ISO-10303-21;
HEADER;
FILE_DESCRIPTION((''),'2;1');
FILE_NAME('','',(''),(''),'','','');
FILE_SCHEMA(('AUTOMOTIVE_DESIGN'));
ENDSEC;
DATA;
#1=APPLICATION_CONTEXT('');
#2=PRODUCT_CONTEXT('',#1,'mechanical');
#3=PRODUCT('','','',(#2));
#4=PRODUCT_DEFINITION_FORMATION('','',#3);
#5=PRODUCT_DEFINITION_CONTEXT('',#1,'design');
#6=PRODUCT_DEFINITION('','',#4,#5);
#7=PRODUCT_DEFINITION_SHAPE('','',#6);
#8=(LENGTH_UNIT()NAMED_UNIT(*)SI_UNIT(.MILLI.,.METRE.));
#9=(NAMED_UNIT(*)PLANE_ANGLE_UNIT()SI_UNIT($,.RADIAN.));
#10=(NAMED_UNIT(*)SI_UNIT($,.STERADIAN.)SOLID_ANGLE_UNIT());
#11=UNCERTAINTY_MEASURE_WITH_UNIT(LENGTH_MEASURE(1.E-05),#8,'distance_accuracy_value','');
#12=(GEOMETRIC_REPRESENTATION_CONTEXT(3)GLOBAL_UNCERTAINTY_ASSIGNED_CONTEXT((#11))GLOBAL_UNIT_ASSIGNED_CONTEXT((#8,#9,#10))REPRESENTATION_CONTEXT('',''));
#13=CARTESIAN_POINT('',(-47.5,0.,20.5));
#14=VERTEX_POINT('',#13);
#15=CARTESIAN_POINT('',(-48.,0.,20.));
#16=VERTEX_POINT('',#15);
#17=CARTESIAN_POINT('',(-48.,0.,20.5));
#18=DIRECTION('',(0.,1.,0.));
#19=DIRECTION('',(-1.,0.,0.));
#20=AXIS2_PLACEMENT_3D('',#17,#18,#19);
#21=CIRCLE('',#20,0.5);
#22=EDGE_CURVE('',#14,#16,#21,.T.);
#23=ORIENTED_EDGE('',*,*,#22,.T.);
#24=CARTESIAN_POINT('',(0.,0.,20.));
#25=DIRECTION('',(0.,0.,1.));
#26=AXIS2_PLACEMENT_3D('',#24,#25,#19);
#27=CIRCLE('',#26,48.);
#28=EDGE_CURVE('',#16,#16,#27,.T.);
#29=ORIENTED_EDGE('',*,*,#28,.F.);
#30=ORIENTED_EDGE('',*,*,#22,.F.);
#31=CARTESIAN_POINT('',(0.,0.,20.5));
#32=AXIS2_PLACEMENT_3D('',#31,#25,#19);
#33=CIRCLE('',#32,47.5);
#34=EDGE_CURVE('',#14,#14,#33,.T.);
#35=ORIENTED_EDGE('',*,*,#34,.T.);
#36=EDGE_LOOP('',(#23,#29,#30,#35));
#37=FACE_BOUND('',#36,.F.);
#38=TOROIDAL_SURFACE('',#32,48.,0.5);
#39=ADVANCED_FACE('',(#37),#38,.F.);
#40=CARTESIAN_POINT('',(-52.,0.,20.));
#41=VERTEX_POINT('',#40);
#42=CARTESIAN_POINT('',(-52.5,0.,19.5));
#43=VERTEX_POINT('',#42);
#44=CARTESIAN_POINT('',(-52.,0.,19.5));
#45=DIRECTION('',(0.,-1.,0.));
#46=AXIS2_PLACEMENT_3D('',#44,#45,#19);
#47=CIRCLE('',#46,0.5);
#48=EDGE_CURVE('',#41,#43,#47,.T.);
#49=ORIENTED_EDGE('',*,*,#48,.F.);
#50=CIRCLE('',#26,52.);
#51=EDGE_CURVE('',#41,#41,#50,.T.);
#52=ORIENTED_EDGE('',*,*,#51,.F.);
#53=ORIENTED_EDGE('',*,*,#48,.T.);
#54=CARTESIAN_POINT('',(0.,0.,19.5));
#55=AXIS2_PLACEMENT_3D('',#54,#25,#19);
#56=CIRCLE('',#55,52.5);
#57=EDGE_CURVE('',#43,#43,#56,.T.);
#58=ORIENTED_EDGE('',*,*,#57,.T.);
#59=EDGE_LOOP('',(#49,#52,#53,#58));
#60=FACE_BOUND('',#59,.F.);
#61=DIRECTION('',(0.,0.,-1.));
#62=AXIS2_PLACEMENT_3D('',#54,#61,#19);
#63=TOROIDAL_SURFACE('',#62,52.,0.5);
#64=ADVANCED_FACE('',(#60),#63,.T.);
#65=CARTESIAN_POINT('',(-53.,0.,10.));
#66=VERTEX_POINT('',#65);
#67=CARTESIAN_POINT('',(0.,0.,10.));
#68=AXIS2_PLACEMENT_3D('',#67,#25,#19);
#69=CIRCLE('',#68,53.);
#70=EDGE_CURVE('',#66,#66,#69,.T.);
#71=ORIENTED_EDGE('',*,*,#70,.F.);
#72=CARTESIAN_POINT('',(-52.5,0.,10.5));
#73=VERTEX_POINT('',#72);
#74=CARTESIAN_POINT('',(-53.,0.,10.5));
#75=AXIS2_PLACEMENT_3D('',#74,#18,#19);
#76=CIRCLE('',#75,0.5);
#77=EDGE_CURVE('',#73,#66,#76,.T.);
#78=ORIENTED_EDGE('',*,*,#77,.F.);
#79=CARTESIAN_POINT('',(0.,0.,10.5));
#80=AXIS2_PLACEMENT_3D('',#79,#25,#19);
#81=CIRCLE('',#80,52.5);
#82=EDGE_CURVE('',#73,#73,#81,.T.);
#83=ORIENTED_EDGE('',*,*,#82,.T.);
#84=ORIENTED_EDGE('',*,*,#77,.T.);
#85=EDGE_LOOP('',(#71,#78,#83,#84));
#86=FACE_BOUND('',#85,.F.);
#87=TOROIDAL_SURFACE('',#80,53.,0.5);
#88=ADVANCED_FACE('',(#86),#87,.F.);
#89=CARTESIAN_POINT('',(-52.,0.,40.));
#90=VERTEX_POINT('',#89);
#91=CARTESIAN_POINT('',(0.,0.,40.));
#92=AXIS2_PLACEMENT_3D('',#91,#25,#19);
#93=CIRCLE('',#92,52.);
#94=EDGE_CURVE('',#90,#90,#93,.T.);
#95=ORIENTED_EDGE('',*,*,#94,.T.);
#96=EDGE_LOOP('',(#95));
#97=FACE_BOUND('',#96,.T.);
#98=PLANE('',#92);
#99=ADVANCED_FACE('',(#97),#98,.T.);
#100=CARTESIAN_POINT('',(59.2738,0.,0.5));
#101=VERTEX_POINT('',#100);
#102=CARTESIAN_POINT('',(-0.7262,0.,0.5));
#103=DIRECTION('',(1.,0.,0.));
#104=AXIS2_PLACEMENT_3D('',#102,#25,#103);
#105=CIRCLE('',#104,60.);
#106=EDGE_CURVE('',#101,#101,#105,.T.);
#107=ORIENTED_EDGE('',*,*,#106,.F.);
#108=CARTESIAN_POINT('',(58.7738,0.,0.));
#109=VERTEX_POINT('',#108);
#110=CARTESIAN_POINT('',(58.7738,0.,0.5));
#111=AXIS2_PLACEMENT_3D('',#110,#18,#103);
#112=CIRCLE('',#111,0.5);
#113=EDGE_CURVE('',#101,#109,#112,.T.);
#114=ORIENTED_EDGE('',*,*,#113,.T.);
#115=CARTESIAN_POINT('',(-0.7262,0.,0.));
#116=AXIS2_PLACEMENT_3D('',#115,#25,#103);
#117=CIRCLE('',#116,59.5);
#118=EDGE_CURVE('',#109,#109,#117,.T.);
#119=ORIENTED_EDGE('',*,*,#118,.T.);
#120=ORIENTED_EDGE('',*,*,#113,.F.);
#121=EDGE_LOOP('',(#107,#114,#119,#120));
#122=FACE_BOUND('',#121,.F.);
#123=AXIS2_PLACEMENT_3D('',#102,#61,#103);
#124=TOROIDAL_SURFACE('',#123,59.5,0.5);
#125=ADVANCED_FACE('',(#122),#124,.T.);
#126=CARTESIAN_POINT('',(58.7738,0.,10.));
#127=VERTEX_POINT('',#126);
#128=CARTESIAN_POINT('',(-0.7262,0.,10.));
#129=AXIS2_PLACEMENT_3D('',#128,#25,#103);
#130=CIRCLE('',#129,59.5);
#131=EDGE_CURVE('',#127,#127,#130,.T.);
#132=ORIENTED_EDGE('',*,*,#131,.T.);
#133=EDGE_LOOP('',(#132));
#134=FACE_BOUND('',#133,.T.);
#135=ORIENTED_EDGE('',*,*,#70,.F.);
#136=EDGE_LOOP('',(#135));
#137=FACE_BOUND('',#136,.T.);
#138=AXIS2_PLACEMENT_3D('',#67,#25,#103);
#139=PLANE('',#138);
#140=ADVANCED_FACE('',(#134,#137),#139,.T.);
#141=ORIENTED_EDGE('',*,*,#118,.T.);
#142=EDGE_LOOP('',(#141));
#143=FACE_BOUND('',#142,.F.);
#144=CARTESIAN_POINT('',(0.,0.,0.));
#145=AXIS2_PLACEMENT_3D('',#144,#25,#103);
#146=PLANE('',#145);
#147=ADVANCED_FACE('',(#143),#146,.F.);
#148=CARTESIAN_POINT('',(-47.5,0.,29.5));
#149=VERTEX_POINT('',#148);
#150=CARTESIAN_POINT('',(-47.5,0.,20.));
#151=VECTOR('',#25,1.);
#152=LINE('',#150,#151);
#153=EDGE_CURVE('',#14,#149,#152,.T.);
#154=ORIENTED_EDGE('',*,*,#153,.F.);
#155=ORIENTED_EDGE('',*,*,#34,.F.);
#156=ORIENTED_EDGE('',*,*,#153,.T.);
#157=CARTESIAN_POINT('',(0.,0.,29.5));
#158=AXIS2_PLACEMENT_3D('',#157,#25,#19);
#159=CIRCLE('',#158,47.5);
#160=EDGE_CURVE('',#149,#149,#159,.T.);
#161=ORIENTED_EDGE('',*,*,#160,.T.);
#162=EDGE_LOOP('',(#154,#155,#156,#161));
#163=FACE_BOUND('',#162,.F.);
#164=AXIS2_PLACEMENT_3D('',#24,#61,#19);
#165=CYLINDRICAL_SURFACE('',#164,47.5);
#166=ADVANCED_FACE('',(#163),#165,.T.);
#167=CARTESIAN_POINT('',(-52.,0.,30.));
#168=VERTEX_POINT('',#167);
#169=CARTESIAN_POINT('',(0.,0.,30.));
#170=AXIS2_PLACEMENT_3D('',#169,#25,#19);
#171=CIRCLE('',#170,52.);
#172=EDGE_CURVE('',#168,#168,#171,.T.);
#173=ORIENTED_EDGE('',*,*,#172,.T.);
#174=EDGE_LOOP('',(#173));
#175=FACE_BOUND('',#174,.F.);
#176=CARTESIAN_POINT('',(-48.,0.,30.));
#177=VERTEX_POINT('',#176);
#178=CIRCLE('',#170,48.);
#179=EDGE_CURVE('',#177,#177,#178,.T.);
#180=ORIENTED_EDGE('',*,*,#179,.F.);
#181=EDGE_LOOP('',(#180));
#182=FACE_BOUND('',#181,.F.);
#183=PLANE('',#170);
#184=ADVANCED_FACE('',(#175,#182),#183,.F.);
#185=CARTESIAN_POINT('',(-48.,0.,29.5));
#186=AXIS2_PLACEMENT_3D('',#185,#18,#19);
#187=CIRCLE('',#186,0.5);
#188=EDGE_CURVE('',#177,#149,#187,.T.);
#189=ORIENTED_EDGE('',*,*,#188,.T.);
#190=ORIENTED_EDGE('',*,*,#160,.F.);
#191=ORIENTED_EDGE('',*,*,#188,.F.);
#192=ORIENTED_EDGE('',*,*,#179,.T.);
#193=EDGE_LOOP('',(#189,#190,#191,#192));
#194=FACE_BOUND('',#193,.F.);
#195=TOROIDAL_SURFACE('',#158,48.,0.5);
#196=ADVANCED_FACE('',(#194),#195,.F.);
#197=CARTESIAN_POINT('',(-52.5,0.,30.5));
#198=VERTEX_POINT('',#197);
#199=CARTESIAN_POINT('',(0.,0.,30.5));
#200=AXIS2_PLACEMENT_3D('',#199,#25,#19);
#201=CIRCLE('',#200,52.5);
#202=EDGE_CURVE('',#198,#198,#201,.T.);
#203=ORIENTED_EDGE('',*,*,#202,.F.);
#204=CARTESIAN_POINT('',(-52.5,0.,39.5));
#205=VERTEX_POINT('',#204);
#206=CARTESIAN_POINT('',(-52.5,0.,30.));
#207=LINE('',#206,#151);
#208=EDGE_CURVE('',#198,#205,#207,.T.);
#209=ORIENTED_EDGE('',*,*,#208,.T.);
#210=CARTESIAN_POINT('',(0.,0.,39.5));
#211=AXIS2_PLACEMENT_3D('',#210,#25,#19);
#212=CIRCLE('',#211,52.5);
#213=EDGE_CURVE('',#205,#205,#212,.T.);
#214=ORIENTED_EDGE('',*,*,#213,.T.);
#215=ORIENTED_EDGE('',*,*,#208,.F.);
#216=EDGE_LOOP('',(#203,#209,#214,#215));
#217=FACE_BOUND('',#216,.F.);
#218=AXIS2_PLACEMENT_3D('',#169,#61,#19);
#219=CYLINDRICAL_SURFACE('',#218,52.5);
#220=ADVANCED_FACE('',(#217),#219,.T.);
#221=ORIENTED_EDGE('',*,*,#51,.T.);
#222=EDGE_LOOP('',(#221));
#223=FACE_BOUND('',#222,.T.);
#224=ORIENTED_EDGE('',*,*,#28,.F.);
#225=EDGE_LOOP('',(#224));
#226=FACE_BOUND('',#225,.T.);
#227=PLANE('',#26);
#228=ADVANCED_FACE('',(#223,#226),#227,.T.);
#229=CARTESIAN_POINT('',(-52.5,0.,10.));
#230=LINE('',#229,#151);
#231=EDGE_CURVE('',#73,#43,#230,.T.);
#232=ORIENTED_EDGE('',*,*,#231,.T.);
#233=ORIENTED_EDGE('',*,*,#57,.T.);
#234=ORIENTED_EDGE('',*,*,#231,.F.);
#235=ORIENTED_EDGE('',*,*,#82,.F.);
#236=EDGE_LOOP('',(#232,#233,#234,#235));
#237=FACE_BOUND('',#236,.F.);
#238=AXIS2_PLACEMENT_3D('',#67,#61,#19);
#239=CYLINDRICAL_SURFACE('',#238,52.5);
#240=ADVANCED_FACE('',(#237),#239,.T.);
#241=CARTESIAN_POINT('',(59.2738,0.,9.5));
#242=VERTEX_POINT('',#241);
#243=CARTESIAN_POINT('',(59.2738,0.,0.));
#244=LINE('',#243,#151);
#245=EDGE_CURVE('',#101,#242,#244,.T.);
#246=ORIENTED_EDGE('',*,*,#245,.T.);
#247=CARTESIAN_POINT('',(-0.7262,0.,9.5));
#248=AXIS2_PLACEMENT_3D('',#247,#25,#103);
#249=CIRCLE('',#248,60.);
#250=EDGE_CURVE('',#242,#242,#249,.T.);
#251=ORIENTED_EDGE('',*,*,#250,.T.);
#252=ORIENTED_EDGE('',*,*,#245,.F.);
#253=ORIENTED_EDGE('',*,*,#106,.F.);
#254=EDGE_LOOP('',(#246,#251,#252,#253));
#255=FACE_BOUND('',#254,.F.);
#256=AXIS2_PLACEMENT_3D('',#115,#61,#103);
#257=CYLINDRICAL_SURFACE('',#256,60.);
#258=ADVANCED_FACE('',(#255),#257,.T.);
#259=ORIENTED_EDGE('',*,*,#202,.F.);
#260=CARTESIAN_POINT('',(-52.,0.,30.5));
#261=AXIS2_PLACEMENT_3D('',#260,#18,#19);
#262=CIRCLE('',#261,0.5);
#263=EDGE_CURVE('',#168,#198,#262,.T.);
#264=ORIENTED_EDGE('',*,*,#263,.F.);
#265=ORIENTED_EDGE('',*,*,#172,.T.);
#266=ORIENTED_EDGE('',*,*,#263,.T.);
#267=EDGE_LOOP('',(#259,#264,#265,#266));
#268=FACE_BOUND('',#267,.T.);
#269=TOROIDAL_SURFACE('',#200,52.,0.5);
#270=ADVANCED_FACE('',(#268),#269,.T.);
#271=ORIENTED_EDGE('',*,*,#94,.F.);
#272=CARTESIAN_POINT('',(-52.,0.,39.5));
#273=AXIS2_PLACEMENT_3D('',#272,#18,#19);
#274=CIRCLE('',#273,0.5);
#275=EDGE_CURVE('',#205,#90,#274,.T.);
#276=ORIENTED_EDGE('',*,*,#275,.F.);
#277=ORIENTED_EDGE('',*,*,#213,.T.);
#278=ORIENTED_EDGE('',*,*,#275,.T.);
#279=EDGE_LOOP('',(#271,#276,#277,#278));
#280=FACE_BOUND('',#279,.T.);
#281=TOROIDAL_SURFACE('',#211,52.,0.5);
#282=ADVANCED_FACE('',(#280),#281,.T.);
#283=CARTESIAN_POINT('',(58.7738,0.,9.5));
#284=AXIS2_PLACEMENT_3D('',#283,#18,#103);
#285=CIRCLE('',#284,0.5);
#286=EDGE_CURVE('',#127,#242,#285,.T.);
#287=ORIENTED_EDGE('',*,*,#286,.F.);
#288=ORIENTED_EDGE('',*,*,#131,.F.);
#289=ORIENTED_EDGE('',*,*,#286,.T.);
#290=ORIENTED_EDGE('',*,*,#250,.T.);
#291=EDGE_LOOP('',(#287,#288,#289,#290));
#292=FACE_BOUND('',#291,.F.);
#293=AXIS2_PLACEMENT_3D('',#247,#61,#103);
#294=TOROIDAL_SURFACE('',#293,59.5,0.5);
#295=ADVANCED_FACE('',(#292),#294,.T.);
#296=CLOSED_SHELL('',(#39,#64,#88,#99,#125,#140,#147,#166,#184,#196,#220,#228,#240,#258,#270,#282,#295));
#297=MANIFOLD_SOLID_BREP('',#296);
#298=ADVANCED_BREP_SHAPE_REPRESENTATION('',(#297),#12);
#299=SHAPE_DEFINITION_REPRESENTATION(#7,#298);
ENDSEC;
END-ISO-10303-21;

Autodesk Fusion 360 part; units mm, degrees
sketch "Sketch1" plane through (0, 0, 0) normal (0, 0, 1) x (1, 0, 0)
  circle A0 centre (-0.7262, 0) radius 60
  dimension "d1" = 120
extrude "Extrude1" add sketch "Sketch1" along normal blind 10
sketch "Sketch2" plane through (0, 0, 10) normal (0, 0, 1) x (-1, 0, 0)
  circle A0 centre (0.7262, 0) radius 60
  circle A1 centre (0, 0) radius 52.5
  dimension "d4" = 105
extrude "Extrude2" add sketch "Sketch2" along normal blind 10 contours A1
sketch "Sketch3" plane through (0, 0, 20) normal (0, 0, 1) x (-1, 0, 0)
  circle A0 centre (0, 0) radius 52.5
  circle A1 centre (0, 0) radius 47.5
  dimension "d7" = 95
extrude "Extrude3" add sketch "Sketch3" along normal blind 10 contours A1
sketch "Sketch4" plane through (0, 0, 30) normal (0, 0, 1) x (-1, 0, 0)
  circle A0 centre (0, 0) radius 47.5
  circle A1 centre (0, 0) radius 52.5
  dimension "d10" = 105
extrude "Extrude4" add sketch "Sketch4" along normal blind 10 contours A0 | A1
fillet "Fillet1" radius 0.5 8 edges at (-56.6659, -21.6969, 10) (48.9472, 18.9848, 20) (44.2855, -17.1767, 20) (48.9472, 18.9848, 30) (44.2855, 17.1767, 30) (48.9472, 18.9848, 40) (48.9472, -18.9848, 10) (-56.6659, -21.6969, 0)
